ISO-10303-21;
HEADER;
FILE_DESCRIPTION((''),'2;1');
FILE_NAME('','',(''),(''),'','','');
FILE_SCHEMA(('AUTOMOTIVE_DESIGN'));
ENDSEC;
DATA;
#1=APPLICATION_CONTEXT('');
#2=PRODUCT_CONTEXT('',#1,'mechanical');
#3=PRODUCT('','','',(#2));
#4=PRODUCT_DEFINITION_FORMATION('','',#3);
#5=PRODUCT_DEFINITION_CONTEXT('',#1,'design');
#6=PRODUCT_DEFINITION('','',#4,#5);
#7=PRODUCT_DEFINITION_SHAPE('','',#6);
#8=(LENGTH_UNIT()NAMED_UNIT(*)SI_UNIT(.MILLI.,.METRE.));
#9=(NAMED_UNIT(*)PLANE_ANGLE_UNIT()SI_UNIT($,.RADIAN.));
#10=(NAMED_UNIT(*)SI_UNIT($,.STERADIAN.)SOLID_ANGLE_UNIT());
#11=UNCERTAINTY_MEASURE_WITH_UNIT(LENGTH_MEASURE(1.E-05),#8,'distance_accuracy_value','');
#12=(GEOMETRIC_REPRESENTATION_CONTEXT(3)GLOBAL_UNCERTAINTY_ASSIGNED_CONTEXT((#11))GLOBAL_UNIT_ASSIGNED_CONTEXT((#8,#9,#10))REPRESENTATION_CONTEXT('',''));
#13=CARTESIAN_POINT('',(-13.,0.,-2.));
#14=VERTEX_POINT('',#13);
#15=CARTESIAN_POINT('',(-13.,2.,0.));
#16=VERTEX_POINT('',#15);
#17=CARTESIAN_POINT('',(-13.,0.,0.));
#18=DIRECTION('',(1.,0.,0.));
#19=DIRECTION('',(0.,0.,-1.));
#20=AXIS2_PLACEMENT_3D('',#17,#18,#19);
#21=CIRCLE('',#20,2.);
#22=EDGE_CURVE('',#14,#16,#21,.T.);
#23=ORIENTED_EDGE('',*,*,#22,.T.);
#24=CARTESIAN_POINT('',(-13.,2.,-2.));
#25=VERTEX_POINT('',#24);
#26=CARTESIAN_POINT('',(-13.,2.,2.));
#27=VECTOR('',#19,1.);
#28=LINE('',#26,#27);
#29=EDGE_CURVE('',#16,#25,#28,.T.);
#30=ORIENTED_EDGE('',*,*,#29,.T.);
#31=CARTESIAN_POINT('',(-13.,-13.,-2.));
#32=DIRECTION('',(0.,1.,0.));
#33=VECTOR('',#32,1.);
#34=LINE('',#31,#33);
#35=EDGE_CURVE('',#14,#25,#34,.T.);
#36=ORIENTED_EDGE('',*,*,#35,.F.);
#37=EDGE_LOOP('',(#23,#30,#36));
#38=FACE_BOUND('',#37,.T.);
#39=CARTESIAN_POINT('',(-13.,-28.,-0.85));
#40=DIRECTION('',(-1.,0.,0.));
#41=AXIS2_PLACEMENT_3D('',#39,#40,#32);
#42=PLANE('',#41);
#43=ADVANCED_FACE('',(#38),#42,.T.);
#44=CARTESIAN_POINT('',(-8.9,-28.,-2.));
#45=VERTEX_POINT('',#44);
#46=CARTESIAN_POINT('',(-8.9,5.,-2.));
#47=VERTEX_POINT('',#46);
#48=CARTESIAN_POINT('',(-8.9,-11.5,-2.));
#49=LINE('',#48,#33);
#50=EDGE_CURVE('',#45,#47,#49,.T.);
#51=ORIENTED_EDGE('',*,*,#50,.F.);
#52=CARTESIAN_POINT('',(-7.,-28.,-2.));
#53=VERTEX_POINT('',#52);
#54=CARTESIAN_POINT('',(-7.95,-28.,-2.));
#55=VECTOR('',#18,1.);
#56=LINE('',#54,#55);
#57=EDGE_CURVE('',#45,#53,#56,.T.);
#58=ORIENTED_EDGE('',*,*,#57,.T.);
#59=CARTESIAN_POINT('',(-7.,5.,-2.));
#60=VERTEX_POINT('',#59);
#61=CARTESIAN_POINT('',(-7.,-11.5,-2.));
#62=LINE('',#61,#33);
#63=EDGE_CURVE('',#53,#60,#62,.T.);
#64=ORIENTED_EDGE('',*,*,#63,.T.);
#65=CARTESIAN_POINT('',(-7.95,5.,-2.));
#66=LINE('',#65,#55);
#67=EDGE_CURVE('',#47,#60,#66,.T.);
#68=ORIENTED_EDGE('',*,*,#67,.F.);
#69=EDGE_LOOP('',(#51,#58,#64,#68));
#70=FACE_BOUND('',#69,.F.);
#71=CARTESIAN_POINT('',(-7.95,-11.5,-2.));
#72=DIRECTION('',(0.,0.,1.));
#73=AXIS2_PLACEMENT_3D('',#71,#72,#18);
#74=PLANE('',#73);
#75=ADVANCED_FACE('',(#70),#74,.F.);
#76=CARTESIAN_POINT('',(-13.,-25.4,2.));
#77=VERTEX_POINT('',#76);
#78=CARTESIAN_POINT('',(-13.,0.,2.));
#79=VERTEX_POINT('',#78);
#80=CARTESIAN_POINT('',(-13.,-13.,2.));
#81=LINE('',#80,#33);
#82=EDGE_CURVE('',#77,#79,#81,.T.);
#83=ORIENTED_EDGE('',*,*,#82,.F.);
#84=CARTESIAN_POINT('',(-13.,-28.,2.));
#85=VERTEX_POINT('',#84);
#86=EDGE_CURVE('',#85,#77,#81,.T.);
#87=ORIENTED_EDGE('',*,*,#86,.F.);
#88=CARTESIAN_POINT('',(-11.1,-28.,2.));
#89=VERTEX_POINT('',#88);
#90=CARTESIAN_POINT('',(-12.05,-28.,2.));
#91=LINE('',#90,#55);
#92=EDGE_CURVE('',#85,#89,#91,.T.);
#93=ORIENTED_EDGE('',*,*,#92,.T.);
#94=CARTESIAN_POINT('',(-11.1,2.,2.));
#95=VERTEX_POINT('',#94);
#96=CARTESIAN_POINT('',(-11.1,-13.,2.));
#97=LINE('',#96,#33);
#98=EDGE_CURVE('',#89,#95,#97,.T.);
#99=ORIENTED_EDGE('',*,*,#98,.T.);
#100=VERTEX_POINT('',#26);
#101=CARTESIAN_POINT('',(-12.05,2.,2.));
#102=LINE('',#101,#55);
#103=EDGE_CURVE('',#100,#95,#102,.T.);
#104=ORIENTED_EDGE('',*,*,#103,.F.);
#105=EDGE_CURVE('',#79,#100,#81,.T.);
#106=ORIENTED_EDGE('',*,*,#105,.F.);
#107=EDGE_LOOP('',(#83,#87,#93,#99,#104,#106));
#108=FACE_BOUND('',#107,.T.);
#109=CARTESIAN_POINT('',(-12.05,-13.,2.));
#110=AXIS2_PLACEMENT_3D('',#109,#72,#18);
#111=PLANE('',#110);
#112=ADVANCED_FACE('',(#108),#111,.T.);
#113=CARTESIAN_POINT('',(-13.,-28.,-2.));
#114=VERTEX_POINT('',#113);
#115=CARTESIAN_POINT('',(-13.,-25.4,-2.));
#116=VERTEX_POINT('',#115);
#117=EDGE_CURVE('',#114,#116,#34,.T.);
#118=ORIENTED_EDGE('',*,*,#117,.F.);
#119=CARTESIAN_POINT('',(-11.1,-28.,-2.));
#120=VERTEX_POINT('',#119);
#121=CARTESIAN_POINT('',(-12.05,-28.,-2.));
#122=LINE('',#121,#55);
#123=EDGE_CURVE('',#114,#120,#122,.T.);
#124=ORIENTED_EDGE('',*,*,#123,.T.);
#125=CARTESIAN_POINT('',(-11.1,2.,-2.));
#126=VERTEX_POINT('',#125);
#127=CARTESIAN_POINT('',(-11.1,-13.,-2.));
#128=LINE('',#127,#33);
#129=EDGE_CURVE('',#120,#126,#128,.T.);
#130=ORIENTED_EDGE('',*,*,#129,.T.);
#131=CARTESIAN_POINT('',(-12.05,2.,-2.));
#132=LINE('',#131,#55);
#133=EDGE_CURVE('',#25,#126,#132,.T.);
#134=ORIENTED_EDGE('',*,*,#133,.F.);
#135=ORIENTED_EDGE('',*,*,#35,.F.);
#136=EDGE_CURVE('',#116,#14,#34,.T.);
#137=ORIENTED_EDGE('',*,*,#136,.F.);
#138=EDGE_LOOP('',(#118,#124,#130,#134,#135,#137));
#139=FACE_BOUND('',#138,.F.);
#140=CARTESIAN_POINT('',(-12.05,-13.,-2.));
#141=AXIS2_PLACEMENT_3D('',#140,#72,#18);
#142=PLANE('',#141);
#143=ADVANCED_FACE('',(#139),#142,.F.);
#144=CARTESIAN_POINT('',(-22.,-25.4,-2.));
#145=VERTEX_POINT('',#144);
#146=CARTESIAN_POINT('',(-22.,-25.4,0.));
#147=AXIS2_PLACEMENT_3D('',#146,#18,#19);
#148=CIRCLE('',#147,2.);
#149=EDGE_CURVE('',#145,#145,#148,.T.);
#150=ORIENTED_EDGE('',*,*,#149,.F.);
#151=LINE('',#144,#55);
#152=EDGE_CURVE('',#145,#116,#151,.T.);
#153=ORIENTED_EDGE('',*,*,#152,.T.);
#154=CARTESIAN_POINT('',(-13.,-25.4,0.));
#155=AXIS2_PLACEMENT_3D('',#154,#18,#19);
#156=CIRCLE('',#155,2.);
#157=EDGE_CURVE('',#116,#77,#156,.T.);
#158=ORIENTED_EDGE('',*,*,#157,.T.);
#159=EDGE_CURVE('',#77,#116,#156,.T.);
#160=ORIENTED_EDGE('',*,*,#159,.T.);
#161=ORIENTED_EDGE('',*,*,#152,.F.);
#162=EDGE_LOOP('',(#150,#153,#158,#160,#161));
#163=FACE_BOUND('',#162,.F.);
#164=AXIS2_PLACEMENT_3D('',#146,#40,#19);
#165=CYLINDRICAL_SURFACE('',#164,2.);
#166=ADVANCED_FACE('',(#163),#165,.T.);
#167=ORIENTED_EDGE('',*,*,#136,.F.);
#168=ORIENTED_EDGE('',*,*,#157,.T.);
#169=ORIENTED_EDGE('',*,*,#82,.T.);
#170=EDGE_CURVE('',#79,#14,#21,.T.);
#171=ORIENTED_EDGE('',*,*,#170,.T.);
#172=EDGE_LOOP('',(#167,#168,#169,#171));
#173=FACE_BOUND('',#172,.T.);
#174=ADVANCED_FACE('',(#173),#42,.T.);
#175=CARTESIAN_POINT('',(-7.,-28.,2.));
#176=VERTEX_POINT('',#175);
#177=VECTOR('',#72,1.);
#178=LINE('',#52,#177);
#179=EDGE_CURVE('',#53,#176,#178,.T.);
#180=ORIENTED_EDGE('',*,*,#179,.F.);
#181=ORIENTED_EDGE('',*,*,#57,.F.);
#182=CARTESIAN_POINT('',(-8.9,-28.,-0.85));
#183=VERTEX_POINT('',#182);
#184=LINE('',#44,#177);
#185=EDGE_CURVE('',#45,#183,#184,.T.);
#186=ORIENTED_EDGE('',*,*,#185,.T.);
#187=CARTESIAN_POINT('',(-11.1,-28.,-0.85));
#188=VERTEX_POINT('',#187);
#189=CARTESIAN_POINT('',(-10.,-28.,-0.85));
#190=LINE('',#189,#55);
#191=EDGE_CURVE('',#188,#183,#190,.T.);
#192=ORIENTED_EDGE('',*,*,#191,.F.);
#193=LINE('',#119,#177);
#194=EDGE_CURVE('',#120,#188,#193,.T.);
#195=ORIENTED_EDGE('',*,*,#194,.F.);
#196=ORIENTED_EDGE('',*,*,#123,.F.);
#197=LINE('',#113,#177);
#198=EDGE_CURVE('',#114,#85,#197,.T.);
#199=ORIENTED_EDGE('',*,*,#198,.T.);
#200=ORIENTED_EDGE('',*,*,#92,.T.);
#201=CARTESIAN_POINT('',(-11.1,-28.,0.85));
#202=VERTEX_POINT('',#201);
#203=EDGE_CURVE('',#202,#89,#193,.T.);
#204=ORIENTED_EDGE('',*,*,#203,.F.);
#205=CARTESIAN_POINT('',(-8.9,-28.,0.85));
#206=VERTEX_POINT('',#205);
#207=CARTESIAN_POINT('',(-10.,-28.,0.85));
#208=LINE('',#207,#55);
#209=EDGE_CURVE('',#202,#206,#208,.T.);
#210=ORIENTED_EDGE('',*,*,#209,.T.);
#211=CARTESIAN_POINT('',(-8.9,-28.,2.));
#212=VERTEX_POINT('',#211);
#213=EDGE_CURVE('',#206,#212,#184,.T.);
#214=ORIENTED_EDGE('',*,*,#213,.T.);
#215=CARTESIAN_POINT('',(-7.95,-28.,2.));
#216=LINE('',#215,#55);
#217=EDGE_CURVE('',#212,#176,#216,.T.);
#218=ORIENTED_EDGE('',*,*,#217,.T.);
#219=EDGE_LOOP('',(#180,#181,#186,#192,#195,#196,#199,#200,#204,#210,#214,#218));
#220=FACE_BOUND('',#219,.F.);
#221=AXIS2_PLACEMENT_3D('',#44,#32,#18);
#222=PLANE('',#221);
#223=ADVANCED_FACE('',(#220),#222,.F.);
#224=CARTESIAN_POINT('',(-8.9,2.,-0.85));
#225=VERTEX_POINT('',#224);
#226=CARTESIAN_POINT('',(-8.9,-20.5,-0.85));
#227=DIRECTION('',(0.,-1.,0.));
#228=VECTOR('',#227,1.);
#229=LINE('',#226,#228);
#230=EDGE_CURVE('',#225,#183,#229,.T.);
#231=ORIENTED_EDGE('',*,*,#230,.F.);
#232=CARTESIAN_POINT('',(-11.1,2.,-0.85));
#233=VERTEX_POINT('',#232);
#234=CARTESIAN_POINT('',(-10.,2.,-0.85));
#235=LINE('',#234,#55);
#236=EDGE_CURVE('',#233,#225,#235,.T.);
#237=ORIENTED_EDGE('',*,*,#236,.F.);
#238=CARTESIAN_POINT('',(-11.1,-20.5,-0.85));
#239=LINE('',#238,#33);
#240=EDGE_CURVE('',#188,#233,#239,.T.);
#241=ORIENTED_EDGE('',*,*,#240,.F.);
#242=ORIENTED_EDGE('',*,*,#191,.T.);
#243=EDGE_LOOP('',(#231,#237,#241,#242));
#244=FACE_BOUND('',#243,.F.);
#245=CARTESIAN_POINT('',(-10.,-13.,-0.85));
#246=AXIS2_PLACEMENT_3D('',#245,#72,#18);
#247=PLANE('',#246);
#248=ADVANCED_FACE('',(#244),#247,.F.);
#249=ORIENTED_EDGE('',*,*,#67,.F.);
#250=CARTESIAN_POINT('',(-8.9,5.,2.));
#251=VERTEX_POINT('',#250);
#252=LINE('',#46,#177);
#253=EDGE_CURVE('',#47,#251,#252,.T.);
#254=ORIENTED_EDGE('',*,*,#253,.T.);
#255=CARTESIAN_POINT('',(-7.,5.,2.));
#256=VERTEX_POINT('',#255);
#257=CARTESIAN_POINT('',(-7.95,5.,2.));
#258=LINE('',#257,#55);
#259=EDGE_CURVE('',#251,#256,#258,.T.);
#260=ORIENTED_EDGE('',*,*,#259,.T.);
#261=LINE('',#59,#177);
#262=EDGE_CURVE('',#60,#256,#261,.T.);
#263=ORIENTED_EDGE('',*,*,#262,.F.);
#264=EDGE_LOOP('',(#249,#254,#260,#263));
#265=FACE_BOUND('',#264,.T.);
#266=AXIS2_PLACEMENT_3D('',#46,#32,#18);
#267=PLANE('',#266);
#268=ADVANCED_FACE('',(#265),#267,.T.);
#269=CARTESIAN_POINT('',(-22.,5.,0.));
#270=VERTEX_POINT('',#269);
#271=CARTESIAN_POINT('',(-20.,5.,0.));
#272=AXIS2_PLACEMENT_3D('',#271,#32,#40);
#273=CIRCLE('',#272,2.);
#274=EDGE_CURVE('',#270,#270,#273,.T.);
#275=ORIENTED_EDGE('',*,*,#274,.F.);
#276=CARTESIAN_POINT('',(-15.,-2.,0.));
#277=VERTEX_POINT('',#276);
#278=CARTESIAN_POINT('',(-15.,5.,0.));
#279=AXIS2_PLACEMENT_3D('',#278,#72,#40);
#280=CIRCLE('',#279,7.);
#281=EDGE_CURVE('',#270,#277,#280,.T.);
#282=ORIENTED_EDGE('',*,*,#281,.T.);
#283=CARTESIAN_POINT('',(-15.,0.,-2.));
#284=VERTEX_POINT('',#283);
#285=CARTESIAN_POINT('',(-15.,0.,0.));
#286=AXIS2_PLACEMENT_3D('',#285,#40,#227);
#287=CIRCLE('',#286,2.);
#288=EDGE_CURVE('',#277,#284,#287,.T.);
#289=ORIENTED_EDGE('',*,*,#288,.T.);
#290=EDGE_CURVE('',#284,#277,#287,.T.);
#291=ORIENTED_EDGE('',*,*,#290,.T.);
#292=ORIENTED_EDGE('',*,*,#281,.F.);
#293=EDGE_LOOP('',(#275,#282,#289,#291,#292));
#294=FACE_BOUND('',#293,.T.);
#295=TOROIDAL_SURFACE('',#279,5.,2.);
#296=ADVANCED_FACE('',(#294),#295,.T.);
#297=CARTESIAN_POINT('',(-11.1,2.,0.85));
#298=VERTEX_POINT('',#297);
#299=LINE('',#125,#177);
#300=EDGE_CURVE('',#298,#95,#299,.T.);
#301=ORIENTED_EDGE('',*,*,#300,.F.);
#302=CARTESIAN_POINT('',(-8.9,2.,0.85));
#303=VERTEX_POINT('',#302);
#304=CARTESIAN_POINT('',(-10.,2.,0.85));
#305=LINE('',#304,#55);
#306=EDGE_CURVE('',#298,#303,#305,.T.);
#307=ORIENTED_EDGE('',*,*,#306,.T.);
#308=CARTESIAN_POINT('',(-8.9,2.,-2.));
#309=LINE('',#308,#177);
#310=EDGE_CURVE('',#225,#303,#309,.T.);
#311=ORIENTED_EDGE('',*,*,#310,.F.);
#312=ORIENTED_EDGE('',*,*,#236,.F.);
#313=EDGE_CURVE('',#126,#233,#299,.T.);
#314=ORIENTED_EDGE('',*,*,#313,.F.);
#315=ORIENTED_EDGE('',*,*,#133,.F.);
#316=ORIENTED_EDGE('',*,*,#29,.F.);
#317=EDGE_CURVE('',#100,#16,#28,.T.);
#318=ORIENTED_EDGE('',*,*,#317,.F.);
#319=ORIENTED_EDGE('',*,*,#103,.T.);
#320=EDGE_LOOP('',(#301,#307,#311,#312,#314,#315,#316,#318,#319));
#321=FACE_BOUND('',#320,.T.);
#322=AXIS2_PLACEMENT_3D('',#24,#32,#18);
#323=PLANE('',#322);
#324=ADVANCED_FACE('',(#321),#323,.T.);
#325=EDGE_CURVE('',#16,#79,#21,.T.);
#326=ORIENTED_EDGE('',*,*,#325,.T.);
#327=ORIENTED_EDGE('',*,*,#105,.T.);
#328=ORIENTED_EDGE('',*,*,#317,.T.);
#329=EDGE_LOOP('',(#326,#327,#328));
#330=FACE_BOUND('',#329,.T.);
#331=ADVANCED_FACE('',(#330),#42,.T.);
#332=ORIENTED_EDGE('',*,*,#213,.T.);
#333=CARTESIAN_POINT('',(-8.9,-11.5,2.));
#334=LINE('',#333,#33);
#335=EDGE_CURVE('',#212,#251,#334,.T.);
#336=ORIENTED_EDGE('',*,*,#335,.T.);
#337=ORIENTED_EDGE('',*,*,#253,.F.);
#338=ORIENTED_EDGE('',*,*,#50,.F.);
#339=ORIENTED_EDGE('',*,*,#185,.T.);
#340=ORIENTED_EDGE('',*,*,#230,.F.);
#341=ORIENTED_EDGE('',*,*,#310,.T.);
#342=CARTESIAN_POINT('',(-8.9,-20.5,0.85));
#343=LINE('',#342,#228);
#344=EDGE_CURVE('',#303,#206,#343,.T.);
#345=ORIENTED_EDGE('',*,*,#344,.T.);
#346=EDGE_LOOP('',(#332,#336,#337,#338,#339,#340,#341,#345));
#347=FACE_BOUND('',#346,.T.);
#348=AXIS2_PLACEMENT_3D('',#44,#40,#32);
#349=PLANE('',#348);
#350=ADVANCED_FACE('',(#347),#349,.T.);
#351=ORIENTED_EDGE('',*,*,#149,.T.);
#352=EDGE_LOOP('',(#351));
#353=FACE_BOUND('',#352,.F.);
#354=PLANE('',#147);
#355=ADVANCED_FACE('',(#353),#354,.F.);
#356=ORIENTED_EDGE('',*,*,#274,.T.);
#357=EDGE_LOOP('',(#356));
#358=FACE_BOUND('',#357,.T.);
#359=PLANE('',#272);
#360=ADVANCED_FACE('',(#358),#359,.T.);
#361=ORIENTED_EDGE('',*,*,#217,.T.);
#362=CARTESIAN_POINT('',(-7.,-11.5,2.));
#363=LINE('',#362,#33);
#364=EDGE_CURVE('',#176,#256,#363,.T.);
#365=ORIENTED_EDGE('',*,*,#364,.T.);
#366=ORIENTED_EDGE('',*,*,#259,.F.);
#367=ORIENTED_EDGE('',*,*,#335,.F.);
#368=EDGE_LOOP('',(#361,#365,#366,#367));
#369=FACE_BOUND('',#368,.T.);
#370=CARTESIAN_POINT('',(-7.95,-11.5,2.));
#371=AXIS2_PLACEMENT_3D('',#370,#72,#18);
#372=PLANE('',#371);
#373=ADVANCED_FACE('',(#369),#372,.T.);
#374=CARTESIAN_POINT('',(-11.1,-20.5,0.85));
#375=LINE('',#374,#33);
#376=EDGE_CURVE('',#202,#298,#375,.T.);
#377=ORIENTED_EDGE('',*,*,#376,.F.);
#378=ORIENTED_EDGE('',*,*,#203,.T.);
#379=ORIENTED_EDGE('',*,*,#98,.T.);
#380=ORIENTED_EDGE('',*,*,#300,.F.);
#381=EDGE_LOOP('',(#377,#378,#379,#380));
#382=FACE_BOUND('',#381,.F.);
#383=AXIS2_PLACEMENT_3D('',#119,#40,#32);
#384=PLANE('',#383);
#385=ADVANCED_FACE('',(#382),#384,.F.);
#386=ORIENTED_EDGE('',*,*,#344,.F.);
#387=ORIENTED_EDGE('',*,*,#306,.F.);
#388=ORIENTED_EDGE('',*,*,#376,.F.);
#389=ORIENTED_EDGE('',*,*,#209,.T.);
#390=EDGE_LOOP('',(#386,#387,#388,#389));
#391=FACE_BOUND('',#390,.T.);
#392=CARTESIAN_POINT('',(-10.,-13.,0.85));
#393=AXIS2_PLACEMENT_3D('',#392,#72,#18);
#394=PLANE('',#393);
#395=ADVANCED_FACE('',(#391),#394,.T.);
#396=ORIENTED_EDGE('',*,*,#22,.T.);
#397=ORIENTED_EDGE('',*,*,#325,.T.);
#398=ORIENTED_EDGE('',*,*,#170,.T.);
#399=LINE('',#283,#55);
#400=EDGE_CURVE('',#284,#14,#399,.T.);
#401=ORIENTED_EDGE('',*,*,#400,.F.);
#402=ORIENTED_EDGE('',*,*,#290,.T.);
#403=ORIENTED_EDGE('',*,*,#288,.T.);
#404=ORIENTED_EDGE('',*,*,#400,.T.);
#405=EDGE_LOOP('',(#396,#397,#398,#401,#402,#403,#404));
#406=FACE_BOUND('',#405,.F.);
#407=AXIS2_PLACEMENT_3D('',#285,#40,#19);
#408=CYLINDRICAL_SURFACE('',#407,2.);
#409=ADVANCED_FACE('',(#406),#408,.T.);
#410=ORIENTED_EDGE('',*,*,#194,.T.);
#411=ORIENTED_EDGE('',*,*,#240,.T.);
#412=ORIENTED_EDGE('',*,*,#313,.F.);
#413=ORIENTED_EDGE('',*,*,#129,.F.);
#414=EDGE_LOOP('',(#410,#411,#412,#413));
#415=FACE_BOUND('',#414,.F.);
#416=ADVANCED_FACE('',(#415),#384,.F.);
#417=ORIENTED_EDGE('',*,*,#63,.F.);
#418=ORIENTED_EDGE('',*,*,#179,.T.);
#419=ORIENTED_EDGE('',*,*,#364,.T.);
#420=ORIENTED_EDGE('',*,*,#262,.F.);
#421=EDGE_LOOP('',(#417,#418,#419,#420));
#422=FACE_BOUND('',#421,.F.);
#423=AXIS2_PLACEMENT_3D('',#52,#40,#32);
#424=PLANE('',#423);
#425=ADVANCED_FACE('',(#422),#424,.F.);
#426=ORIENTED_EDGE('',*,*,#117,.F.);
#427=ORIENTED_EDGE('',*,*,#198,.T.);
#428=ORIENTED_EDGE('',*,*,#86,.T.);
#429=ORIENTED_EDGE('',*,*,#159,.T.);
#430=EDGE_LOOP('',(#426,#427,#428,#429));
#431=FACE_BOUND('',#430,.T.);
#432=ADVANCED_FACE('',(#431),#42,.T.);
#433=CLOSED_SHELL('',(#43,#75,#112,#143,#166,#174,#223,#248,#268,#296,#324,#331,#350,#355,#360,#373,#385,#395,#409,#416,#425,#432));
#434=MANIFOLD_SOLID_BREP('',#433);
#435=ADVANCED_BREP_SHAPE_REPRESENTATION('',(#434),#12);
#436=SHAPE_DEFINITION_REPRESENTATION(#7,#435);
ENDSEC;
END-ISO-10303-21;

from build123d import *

# Parameters (mm, degrees)
BOX002_W          = 6
BOX002_H          = 30
BOX002_DEPTH      = 1.7
TORUS_R           = 2
TORUS_ANGLE       = 90
BOX001_W          = 1.9
BOX001_H          = 33
BOX001_DEPTH      = 4
CYLINDER001_R     = 2
CYLINDER001_DEPTH = 9
CYLINDER_R        = 2
CYLINDER_DEPTH    = 2
BOX_W             = 1.9
BOX_H             = 30
BOX_DEPTH         = 4


with BuildPart() as cube002:
    # Box002 → Box002 (new body)
    with BuildSketch(Plane(origin=(2, -28, -0.85), x_dir=(1, 0, 0), z_dir=(0, 0, 1))):
        with Locations((3, 15)):
            Rectangle(BOX002_W, BOX002_H)
    extrude(amount=BOX002_DEPTH)


with BuildPart() as torus:
    # Torus → Torus (revolve)
    with BuildSketch(Plane(origin=(0, 5, 0), x_dir=(-1, 0, 0), z_dir=(0, 1, 0))):
        with Locations((5, 0)):
            Circle(TORUS_R)
    revolve(axis=Axis((0, 5, 0), (0, 0, 1)), revolution_arc=TORUS_ANGLE)


with BuildPart() as cube001:
    # Box001 → Box001 (new body)
    with BuildSketch(Plane(origin=(6.1, -28, -2), x_dir=(1, 0, 0), z_dir=(0, 0, 1))):
        with Locations((0.95, 16.5)):
            Rectangle(BOX001_W, BOX001_H)
    extrude(amount=BOX001_DEPTH)


with BuildPart() as cylinder001:
    # Cylinder001 → Cylinder001 (new body)
    with BuildSketch(Plane(origin=(-7, -25.4, 0), x_dir=(0, 0, -1), z_dir=(1, 0, 0))):
        Circle(CYLINDER001_R)
    extrude(amount=CYLINDER001_DEPTH)


with BuildPart() as cylinder:
    # Cylinder → Cylinder (new body)
    with BuildSketch(Plane(origin=(0, 0, 0), x_dir=(0, 0, -1), z_dir=(1, 0, 0))):
        Circle(CYLINDER_R)
    extrude(amount=CYLINDER_DEPTH)


with BuildPart() as mounter:
    # Box → Box (new body)
    with BuildSketch(Plane(origin=(2, -28, -2), x_dir=(1, 0, 0), z_dir=(0, 0, 1))):
        with Locations((0.95, 15)):
            Rectangle(BOX_W, BOX_H)
    extrude(amount=BOX_DEPTH)

    # Fusion: union Cube002, Torus, Cube001, Cylinder001, Cylinder
    add(cube002.part)
    add(torus.part)
    add(cube001.part)
    add(cylinder001.part)
    add(cylinder.part)


with BuildPart() as mounter_1:
    # Fusion placement: moved
    add(mounter.part.moved(Location((-15, 0, 0))))


solid = mounter_1.part
